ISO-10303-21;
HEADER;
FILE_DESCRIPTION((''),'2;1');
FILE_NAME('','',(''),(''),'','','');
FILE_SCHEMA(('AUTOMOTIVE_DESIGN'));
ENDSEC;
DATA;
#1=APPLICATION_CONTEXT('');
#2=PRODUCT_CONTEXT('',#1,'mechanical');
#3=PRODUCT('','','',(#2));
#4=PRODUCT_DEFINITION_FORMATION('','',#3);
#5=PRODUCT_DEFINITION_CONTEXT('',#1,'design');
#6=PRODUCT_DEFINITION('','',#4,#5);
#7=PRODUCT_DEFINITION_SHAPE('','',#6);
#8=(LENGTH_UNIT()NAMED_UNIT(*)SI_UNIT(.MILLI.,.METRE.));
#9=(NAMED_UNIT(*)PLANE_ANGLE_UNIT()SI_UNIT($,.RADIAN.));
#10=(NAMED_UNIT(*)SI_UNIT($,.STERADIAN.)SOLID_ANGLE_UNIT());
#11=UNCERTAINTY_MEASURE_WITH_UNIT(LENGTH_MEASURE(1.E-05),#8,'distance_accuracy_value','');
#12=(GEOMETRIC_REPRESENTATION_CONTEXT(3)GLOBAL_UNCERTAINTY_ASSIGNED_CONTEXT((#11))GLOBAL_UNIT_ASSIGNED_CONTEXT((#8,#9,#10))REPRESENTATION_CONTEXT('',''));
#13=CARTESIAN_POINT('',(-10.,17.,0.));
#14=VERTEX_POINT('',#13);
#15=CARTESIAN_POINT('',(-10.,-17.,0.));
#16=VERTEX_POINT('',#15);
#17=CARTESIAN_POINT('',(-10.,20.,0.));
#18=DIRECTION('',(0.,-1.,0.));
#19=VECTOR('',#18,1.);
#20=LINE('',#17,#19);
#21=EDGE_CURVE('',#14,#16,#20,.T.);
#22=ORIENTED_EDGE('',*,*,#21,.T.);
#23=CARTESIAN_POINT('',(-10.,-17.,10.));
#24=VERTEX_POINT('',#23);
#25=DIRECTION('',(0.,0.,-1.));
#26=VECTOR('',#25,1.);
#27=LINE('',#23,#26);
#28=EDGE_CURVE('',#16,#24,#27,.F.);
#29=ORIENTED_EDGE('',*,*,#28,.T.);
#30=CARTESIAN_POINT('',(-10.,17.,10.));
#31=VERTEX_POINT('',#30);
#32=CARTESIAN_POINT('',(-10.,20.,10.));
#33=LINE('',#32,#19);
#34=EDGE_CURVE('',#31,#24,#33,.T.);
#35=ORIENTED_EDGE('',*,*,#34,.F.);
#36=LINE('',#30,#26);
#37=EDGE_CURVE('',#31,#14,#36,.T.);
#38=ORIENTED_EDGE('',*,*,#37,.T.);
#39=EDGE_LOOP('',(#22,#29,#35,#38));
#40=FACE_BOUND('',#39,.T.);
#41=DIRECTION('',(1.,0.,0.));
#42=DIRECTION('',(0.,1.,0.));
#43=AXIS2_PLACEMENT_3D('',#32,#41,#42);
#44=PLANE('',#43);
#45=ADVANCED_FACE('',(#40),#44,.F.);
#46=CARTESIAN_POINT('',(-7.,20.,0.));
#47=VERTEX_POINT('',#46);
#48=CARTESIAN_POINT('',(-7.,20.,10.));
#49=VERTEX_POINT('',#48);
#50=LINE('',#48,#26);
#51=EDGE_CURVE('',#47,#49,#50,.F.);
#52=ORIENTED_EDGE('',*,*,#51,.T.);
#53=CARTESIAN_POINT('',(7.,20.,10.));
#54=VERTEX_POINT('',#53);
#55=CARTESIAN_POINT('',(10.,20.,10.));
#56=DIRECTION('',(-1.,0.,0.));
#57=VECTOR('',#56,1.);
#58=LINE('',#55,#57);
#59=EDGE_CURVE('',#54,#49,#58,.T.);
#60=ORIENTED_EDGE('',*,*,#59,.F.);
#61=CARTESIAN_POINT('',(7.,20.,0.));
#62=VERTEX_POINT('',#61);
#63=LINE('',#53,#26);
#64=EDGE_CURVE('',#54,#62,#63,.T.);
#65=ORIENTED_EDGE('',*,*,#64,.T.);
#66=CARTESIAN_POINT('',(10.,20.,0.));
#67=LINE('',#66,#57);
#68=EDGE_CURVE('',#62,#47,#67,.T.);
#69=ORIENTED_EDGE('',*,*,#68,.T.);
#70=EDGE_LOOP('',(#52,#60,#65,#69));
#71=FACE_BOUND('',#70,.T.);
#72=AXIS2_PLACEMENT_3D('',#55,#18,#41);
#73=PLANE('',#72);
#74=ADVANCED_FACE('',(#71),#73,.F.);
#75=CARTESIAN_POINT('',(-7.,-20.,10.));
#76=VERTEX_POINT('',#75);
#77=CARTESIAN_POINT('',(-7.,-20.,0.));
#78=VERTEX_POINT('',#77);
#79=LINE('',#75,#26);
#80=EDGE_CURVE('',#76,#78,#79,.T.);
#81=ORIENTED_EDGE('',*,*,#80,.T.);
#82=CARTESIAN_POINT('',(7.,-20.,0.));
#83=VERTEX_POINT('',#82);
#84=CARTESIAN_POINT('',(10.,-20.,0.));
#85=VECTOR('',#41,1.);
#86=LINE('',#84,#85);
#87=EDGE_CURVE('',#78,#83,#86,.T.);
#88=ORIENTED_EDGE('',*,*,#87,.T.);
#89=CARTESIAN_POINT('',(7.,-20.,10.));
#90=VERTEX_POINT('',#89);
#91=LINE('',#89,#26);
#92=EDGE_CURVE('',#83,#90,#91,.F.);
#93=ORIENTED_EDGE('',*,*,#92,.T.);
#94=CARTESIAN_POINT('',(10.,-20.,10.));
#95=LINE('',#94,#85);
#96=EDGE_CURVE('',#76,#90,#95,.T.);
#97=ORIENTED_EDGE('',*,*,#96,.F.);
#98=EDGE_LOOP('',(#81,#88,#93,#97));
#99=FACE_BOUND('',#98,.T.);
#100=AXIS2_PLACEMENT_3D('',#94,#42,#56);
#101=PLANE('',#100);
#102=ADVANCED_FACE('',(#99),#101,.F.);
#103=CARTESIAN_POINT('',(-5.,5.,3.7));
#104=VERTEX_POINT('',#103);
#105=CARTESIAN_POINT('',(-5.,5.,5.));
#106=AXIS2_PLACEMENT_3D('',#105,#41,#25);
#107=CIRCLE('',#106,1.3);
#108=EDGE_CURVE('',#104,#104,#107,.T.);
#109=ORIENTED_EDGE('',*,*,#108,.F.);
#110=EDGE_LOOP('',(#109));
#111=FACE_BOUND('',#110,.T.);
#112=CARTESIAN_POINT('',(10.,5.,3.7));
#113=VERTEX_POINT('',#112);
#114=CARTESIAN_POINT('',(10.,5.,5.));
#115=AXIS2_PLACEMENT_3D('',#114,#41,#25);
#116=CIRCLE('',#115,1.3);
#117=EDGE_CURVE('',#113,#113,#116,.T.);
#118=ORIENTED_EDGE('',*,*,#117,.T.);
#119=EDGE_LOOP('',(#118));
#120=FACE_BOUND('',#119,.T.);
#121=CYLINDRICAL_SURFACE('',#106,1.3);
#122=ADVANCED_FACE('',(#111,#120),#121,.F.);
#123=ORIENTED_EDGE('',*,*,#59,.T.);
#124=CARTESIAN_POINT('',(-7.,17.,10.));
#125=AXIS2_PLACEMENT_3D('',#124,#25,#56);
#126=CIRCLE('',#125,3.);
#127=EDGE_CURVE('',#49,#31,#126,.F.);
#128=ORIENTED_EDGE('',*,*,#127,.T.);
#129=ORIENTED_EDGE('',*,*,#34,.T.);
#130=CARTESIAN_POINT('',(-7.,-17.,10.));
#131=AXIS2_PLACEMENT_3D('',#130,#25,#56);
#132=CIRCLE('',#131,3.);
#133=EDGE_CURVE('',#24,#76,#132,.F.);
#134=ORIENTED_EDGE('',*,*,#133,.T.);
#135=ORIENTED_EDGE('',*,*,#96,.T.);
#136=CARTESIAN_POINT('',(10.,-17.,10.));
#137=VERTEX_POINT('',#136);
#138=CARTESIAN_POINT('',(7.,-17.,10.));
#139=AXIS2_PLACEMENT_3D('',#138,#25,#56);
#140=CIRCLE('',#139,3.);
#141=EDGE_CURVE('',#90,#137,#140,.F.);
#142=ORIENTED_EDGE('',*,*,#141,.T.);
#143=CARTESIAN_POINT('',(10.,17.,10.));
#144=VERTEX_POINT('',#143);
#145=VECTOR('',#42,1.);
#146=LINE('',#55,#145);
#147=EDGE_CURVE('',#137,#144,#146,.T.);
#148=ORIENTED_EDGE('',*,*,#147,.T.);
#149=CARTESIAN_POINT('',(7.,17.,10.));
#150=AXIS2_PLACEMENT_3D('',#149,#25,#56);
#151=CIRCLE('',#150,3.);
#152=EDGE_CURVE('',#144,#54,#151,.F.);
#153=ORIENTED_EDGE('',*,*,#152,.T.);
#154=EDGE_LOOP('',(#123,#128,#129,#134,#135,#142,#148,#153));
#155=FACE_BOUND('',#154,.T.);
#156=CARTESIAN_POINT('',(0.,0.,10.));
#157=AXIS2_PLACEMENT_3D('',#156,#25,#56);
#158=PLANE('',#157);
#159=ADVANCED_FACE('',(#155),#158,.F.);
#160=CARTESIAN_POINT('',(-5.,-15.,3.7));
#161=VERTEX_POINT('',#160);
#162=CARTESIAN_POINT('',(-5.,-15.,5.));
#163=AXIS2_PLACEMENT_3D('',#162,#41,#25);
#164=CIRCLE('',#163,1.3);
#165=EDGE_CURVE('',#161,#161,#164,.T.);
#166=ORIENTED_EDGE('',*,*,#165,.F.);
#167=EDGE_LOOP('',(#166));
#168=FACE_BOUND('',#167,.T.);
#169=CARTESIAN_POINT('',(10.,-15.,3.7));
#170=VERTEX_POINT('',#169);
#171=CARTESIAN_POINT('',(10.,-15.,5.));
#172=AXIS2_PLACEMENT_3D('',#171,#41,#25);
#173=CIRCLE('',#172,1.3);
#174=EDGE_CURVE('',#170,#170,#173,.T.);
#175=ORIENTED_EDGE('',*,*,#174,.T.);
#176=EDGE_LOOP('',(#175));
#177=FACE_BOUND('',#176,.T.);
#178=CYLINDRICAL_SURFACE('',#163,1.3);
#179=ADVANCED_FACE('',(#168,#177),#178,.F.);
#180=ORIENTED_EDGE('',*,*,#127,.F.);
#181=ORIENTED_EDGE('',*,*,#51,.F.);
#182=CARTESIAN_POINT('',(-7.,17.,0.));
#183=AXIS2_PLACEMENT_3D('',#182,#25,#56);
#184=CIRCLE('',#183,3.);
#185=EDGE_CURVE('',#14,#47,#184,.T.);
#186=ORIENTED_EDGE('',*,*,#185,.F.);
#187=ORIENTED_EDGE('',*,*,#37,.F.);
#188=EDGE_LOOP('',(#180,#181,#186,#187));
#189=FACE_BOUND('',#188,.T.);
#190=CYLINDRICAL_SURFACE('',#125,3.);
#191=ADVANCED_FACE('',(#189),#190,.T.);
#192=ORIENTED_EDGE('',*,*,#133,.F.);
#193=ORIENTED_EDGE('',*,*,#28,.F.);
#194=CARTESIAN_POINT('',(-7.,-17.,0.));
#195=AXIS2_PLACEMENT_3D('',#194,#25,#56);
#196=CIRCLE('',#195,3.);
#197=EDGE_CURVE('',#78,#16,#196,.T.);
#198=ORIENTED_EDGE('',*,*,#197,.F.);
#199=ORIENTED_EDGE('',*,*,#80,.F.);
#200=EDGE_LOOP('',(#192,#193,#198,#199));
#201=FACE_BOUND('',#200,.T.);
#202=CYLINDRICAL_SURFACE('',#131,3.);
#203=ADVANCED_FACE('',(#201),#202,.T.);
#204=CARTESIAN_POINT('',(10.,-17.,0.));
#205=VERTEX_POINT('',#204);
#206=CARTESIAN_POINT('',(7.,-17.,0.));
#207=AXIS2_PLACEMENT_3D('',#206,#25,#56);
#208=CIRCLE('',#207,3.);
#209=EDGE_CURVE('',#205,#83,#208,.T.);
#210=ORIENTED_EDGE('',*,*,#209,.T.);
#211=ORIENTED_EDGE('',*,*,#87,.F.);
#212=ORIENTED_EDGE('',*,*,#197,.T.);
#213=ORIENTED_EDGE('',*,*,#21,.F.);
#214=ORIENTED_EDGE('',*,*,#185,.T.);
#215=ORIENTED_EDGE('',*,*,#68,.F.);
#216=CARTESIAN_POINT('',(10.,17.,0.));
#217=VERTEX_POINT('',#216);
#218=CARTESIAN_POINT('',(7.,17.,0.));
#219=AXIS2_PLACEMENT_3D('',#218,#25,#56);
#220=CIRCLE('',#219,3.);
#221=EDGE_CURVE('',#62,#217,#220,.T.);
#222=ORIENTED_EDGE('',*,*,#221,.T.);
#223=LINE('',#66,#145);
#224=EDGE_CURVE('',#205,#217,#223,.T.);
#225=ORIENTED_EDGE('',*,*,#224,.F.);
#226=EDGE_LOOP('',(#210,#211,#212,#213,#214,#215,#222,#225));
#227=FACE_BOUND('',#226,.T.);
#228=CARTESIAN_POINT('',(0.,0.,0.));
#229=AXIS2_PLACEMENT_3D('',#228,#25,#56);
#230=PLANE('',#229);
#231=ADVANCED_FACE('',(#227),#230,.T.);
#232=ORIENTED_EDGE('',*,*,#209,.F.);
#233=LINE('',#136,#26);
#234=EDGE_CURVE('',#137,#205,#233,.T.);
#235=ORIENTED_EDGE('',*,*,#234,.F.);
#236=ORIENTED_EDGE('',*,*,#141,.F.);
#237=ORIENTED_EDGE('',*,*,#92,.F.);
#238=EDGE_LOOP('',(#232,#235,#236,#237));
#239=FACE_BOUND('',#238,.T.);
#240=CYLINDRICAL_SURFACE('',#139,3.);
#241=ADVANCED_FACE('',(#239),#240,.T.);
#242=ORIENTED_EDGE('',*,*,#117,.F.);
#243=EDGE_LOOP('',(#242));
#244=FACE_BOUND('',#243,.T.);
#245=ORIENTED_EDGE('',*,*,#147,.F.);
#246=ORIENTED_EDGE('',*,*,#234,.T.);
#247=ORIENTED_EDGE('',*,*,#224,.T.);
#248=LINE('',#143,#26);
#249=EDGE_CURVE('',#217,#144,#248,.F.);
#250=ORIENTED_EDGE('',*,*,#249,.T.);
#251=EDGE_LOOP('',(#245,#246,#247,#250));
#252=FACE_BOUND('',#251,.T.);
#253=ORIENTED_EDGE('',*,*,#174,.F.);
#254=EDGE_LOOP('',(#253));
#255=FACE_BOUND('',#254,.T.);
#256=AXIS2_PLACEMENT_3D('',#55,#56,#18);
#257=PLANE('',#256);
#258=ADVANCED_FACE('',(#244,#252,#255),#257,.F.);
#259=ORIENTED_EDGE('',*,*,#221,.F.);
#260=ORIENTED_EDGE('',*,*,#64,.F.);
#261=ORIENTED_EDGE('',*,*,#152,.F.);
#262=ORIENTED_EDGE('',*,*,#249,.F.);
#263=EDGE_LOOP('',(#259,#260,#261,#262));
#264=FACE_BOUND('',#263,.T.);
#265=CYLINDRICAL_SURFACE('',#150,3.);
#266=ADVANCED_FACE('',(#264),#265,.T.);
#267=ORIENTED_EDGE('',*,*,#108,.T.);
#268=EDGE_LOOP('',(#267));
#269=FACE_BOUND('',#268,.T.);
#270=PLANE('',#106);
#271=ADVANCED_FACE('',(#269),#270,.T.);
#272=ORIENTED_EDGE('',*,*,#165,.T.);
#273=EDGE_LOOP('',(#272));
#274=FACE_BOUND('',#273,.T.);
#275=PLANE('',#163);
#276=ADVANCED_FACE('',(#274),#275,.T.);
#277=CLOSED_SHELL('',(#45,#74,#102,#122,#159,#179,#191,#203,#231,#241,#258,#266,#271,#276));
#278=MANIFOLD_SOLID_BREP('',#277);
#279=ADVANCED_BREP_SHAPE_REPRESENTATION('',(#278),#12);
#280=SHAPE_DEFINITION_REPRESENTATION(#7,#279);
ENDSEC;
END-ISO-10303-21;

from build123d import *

# Parameters (mm, degrees)
SKETCH_1_W          = 20
SKETCH_1_H          = 40
EXTRUDE_1_DEPTH     = 10
FILLET_1_R          = 3
SKETCH_2_R          = 1.3
CUT_EXTRUDE_1_DEPTH = 15


with BuildPart() as part:
    # ｽｹｯﾁ1 → ﾎﾞｽ - 押し出し1 (new body)
    with BuildSketch(Plane.XY):
        Rectangle(SKETCH_1_W, SKETCH_1_H)
    extrude(amount=EXTRUDE_1_DEPTH)

    # ﾌｨﾚｯﾄ1
    fillet_1_edges = [part.edges().sort_by_distance(p)[0] for p in [
        (-10, 20, 5),
        (10, 20, 5),
        (10, -20, 5),
        (-10, -20, 5),
    ]]
    fillet(fillet_1_edges, radius=FILLET_1_R)

    # ｽｹｯﾁ2 → ｶｯﾄ - 押し出し1 (cut)
    with BuildSketch(Plane(origin=(10, 0, 0), x_dir=(0, 0, -1), z_dir=(1, 0, 0))):
        with Locations((-5, -15)):
            Circle(SKETCH_2_R)
        with Locations((-5, 5)):
            Circle(SKETCH_2_R)
    extrude(amount=-CUT_EXTRUDE_1_DEPTH, mode=Mode.SUBTRACT)


solid = part.part
